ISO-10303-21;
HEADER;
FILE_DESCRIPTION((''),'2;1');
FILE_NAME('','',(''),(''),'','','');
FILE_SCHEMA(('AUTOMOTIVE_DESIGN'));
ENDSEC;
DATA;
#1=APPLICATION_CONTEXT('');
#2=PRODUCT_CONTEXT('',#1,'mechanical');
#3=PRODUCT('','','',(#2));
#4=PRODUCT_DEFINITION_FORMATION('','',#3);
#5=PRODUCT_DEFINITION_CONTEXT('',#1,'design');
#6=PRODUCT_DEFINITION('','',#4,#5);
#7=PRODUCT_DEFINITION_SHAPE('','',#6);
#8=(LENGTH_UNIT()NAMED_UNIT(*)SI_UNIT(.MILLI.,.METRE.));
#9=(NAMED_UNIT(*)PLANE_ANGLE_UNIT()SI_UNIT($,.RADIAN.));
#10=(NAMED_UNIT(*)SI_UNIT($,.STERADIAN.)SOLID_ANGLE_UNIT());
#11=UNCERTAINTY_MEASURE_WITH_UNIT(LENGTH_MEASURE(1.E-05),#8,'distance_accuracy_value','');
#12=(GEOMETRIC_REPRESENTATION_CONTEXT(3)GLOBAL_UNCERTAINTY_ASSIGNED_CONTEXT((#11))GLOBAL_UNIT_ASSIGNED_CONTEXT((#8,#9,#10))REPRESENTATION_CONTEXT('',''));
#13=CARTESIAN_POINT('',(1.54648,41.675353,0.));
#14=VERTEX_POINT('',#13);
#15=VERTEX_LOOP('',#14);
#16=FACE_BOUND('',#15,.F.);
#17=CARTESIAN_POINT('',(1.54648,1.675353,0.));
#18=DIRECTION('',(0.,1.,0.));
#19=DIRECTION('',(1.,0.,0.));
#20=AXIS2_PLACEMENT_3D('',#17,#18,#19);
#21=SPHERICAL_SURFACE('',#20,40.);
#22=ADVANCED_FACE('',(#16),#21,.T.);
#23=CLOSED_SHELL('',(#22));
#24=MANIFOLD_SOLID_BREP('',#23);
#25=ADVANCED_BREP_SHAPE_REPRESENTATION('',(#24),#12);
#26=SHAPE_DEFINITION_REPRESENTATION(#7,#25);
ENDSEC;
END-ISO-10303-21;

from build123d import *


with BuildPart() as part:
    # Sketch1 → Revolve1 (revolve)
    with BuildSketch(Plane.XY):
        with BuildLine():
            Line((1.54647994, 41.675353269), (1.54647994, -38.324646731))
            ThreePointArc((1.54647994, -38.324646731), (41.54647994, 1.675353269), (1.54647994, 41.675353269))
        make_face()
    revolve(axis=Axis((1.54647994, 41.675353269, 0), (0, -1, 0)))


solid = part.part
